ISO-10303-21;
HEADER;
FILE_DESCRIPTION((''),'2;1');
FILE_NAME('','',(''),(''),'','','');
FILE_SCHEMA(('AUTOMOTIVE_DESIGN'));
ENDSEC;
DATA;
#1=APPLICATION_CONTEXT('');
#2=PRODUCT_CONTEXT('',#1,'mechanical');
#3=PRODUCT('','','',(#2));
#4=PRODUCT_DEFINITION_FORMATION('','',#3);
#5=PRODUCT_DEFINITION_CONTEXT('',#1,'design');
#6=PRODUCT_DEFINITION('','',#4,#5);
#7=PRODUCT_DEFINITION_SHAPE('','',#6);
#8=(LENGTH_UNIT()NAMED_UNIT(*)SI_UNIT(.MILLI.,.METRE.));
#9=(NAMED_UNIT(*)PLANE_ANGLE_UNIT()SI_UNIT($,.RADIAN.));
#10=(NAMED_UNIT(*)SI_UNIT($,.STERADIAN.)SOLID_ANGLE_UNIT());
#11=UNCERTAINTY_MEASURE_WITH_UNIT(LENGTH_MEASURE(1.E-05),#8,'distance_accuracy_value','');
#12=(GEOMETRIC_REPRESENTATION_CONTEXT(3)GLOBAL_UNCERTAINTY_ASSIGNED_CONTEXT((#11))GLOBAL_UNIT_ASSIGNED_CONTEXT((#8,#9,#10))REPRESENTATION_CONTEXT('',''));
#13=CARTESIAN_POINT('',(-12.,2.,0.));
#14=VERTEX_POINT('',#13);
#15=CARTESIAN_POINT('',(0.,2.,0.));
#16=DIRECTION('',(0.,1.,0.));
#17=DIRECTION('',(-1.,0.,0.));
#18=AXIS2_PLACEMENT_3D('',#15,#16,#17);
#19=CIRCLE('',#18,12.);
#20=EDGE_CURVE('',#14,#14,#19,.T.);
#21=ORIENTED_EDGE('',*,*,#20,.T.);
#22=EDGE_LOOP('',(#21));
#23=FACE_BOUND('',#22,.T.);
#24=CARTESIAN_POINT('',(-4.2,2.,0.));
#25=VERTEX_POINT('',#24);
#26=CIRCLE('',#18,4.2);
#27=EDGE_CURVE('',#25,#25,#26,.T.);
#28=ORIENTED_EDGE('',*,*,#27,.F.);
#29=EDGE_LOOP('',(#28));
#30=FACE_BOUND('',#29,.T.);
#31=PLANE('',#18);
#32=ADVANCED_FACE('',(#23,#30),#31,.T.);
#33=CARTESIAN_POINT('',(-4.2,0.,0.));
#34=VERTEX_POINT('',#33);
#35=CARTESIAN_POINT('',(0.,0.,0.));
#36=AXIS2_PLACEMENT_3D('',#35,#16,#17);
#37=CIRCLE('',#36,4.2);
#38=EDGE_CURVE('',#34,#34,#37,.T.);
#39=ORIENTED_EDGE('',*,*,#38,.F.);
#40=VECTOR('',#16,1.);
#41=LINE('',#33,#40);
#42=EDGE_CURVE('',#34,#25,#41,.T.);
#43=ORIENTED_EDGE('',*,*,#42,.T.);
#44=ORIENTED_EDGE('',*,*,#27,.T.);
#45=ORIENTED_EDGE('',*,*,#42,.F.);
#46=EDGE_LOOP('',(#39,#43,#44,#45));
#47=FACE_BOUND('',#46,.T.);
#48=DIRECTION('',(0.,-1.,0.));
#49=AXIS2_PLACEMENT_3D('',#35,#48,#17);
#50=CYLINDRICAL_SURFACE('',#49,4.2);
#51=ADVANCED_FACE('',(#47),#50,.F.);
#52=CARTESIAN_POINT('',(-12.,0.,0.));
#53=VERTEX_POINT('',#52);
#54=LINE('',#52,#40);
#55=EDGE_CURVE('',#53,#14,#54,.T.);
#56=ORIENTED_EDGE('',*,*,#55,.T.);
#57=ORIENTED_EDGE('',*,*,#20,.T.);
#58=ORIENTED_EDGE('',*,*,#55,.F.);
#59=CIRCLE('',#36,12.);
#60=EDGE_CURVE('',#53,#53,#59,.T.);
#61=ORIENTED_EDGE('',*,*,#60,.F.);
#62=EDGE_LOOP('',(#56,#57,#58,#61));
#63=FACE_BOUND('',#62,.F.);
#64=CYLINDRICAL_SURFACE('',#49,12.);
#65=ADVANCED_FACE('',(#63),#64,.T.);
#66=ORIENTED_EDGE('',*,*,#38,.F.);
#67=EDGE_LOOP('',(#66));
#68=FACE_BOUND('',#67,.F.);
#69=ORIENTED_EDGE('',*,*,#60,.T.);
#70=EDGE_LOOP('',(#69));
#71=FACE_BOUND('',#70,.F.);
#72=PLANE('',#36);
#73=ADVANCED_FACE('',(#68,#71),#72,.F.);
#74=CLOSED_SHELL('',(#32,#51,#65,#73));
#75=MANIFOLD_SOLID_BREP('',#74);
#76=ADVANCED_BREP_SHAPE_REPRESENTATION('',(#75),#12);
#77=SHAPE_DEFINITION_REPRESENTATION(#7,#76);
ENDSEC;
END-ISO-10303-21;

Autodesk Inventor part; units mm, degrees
ref_plane "YZ Plane" through (0, 0, 0) normal (1, 0, 0) x (0, 1, 0)
ref_plane "XZ Plane" through (0, 0, 0) normal (0, 1, 0) x (-1, 0, 0)
ref_plane "XY Plane" through (0, 0, 0) normal (0, 0, 1) x (1, 0, 0)
sketch "Sketch1" plane through (0, 0, 0) normal (0, 1, 0) x (-1, 0, 0)
  circle A0 centre (0, 0) radius 4.2
  circle A1 centre (0, 0) radius 12
  dimension "d0" = 8.4
  dimension "d1" = 24
extrude "Extrusion1" add sketch "Sketch1" along normal blind 2
properties part number "M8Washer"
